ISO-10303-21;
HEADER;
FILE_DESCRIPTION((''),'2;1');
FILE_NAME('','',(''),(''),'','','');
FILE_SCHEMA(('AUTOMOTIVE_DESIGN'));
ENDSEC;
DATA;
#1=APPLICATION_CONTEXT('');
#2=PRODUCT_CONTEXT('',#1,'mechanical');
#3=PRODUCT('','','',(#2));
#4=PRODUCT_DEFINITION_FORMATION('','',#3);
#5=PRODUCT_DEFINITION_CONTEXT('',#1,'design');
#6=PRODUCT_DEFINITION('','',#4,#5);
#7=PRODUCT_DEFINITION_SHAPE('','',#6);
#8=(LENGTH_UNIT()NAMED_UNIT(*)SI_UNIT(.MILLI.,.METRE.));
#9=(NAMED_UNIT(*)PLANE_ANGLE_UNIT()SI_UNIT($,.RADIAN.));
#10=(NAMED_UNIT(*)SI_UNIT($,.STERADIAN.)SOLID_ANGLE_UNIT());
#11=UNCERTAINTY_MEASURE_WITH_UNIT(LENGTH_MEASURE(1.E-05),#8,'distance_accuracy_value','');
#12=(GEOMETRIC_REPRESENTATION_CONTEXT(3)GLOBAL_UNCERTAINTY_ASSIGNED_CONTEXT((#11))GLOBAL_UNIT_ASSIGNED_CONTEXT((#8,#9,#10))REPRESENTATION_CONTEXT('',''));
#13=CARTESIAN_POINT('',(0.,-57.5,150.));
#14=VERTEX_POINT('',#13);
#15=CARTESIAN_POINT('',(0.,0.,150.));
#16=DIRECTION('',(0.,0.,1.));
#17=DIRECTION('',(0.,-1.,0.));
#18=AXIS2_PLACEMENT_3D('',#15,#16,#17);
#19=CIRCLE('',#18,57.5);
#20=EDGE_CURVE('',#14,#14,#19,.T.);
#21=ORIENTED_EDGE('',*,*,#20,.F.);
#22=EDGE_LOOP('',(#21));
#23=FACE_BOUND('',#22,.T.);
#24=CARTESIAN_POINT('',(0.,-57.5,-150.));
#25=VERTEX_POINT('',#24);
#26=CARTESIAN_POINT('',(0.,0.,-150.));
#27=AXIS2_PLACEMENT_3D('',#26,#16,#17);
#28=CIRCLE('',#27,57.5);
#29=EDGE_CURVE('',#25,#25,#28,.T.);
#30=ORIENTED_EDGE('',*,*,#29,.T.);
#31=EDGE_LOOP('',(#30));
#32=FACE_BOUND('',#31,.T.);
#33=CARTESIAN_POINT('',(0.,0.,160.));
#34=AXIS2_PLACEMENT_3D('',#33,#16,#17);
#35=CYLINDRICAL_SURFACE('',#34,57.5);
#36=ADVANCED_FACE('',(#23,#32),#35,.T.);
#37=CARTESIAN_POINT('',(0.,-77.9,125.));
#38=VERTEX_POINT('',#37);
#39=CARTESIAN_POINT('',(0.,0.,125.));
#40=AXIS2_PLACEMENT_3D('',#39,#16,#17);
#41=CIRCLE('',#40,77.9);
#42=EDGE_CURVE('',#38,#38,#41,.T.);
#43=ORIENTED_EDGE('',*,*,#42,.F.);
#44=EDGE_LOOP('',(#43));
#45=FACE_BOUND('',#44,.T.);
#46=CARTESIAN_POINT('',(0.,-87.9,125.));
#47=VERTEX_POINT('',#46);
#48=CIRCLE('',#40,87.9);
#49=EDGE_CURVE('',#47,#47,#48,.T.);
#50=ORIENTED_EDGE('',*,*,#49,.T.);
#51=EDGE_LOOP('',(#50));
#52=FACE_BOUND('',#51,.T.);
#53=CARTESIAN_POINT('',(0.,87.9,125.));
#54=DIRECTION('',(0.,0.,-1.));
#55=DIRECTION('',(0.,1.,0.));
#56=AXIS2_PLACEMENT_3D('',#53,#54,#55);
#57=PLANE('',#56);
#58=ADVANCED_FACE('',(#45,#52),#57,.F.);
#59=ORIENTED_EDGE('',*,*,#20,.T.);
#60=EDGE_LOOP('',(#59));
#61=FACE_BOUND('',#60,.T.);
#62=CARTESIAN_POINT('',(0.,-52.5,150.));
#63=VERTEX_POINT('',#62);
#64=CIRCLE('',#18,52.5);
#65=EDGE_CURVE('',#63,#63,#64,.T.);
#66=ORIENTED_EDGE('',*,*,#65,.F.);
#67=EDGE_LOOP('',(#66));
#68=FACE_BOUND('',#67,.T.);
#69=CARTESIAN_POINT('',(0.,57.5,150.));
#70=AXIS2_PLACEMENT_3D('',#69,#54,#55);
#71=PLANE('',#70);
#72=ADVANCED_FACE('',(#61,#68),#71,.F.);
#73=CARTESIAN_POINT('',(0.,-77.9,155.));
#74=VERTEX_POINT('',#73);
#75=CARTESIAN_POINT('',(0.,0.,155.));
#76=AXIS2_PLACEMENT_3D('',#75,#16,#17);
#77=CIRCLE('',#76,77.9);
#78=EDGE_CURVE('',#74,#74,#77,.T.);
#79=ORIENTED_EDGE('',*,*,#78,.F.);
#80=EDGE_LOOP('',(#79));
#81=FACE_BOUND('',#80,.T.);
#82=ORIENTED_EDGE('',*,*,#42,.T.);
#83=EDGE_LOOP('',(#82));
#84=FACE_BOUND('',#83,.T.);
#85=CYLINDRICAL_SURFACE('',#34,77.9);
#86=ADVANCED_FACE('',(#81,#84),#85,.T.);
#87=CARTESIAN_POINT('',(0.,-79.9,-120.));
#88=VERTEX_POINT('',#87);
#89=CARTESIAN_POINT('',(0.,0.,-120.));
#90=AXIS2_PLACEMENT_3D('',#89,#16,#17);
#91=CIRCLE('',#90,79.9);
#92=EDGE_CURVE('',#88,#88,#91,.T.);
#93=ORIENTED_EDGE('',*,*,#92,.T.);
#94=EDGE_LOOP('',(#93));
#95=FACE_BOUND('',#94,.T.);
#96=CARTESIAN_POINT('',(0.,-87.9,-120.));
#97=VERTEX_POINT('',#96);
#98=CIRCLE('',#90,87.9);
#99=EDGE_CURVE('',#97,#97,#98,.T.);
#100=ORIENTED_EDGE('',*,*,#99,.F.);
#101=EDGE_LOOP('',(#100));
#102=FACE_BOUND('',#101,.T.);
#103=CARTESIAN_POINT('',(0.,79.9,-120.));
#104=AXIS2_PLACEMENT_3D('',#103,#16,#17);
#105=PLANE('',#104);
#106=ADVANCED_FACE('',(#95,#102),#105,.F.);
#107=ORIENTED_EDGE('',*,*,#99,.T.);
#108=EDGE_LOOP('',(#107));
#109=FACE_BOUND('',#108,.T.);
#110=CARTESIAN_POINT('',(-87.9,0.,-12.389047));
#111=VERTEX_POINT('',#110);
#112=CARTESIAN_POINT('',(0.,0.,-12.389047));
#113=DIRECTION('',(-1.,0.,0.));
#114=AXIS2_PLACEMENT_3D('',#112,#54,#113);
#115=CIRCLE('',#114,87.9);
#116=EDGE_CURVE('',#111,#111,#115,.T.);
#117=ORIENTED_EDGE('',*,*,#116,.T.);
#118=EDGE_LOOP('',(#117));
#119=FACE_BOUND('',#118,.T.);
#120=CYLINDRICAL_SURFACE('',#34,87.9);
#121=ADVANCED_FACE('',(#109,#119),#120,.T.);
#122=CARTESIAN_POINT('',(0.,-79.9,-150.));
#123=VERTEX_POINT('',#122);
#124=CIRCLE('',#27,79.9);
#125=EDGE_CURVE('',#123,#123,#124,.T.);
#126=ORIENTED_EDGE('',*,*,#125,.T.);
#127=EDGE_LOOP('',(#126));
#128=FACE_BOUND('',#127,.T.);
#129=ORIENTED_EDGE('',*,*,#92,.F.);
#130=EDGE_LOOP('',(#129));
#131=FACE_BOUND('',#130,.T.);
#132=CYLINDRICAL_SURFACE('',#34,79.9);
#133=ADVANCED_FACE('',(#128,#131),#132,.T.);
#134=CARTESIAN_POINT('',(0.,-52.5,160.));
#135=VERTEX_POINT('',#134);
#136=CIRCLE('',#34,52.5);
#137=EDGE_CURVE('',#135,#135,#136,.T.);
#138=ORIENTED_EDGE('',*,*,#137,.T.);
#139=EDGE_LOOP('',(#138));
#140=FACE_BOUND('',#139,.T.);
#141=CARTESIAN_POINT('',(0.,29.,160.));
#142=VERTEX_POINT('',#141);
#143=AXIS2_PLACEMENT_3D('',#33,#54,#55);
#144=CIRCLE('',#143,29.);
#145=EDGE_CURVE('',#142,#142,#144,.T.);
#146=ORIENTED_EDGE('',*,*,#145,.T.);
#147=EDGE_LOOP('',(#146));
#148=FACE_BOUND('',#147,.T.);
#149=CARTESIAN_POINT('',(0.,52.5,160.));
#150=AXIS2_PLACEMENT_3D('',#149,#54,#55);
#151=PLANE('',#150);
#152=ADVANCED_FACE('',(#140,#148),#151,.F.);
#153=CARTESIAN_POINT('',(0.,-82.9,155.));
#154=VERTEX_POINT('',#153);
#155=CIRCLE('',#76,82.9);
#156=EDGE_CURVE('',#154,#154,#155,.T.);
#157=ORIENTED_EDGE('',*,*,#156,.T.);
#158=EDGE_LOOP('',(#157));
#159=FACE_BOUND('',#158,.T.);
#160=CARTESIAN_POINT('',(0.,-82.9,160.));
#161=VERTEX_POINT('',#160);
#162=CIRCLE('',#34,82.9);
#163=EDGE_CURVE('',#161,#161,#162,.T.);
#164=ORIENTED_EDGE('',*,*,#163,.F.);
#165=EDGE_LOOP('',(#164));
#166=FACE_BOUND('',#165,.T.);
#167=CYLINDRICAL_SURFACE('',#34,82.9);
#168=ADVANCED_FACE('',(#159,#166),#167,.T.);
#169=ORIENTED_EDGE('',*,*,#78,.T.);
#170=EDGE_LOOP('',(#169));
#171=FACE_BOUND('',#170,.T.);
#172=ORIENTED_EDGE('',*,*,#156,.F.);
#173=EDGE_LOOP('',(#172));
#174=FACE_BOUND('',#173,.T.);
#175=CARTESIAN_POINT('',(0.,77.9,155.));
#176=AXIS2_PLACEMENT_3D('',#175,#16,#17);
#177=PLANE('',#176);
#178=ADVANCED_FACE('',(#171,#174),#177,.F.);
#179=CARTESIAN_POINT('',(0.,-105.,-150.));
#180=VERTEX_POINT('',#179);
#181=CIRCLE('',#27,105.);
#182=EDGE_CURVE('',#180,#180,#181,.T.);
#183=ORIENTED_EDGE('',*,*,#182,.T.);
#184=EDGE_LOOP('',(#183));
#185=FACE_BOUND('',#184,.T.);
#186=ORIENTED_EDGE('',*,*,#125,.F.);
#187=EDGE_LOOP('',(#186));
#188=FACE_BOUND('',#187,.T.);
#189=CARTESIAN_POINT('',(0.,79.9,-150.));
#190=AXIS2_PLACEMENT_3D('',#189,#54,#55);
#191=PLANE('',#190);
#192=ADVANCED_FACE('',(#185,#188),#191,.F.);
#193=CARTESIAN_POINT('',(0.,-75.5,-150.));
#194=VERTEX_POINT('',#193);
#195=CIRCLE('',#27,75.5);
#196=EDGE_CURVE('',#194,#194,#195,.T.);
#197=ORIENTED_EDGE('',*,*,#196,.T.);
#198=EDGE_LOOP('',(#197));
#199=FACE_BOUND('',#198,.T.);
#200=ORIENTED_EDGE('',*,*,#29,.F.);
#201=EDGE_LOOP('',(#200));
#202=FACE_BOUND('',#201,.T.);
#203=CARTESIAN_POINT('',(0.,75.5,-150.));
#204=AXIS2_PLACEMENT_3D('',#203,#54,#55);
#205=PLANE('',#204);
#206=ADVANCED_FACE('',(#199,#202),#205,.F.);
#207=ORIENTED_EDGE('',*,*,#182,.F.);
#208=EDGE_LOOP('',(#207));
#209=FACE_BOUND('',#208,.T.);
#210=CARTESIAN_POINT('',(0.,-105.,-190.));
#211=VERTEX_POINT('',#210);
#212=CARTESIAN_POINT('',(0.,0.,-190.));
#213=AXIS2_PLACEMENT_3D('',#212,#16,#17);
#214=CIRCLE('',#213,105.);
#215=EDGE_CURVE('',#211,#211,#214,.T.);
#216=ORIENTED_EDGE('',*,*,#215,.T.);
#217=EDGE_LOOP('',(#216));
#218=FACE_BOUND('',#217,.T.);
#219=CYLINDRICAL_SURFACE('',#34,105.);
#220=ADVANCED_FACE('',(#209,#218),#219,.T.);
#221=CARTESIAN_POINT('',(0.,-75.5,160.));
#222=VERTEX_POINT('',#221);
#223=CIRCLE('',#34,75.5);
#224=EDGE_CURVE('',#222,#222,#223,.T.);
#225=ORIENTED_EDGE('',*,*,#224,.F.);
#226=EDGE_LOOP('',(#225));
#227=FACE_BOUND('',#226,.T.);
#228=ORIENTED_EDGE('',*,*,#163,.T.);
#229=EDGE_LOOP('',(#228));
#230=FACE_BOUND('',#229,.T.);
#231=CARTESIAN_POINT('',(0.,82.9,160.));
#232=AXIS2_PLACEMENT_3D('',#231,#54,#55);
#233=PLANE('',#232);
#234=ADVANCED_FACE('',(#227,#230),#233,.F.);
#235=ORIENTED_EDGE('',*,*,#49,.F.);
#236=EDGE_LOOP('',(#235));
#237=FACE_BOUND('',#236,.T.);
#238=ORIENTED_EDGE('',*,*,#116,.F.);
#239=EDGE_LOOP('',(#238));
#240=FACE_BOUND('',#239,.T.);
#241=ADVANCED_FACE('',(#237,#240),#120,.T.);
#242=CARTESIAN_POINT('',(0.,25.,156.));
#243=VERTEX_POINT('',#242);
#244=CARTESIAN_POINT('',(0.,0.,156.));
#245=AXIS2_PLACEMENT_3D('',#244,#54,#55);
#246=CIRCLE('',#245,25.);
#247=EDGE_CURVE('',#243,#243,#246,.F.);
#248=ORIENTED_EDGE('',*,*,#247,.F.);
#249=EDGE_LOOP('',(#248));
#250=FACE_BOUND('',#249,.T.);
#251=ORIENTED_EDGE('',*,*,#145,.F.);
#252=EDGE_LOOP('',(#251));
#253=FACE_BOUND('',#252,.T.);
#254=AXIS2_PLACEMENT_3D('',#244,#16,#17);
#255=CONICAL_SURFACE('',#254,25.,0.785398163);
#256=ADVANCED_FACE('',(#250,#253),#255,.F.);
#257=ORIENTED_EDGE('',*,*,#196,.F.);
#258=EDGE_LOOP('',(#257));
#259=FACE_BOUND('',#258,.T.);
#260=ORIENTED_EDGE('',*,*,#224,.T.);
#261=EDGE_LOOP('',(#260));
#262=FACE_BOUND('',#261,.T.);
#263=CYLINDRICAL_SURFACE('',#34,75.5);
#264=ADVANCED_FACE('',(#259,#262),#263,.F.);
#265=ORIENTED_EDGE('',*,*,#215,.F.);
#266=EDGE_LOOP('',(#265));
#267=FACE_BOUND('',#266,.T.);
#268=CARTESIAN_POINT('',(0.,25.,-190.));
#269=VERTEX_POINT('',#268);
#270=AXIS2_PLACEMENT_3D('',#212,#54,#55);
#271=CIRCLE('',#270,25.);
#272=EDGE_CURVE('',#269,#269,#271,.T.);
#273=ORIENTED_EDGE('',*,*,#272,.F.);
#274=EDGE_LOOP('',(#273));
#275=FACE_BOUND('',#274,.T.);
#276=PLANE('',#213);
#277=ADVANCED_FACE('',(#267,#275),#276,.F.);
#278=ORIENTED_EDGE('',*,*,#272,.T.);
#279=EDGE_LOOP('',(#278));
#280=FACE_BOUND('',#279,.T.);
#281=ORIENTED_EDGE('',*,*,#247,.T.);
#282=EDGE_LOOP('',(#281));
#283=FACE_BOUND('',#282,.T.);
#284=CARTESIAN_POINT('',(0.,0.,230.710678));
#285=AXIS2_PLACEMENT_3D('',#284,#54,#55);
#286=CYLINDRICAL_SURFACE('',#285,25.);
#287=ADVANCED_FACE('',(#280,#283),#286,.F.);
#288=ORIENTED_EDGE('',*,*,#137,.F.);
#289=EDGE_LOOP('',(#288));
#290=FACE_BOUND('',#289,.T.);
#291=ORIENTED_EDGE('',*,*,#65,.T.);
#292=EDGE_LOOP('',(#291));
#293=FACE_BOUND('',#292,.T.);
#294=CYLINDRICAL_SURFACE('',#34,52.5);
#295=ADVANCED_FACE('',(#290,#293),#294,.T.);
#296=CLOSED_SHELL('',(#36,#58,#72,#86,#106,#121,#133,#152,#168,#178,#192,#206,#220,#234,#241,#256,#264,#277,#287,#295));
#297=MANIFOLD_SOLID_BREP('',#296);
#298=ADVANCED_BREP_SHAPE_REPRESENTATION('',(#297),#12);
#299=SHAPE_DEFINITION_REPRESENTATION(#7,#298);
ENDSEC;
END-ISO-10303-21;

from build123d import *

# Parameters (mm, degrees)
SKETCH4_R          = 25
CUT_EXTRUDE1_DEPTH = 350
CHAMFER1_SIZE      = 4


with BuildPart() as part:
    # Sketch2 → Revolve1 (revolve)
    with BuildSketch(Plane(origin=(0, 0, 0), x_dir=(0, 0, -1), z_dir=(1, 0, 0)), mode=Mode.PRIVATE) as revolve1_sk:
        Polygon((190, 0), (190, 105), (150, 105), (150, 79.9), (120, 79.9), (120, 87.9), (-125, 87.9), (-125, 77.9), (-155, 77.9), (-155, 82.9), (-160, 82.9), (-160, 75.5), (150, 75.5), (150, 57.5), (-150, 57.5), (-150, 52.5), (-160, 52.5), (-160, 0), align=None)
    revolve(revolve1_sk.sketch.rotate(Axis((0, 0, 160), (0, 0, -1)), 180), axis=Axis((0, 0, 160), (0, 0, -1)))

    # Sketch4 → Cut-Extrude1 (cut)
    with BuildSketch(Plane(origin=(0, 0, -190), x_dir=(-1, 0, 0), z_dir=(0, 0, -1))):
        with Locations(Location((0, 0, 0), (0, 0, 90))):
            Circle(SKETCH4_R)
    extrude(amount=-CUT_EXTRUDE1_DEPTH, mode=Mode.SUBTRACT)

    # Chamfer1
    chamfer1_edges = [part.edges().sort_by_distance(p)[0] for p in [
        (0, -25, 160),
    ]]
    chamfer(chamfer1_edges, length=CHAMFER1_SIZE)


solid = part.part
